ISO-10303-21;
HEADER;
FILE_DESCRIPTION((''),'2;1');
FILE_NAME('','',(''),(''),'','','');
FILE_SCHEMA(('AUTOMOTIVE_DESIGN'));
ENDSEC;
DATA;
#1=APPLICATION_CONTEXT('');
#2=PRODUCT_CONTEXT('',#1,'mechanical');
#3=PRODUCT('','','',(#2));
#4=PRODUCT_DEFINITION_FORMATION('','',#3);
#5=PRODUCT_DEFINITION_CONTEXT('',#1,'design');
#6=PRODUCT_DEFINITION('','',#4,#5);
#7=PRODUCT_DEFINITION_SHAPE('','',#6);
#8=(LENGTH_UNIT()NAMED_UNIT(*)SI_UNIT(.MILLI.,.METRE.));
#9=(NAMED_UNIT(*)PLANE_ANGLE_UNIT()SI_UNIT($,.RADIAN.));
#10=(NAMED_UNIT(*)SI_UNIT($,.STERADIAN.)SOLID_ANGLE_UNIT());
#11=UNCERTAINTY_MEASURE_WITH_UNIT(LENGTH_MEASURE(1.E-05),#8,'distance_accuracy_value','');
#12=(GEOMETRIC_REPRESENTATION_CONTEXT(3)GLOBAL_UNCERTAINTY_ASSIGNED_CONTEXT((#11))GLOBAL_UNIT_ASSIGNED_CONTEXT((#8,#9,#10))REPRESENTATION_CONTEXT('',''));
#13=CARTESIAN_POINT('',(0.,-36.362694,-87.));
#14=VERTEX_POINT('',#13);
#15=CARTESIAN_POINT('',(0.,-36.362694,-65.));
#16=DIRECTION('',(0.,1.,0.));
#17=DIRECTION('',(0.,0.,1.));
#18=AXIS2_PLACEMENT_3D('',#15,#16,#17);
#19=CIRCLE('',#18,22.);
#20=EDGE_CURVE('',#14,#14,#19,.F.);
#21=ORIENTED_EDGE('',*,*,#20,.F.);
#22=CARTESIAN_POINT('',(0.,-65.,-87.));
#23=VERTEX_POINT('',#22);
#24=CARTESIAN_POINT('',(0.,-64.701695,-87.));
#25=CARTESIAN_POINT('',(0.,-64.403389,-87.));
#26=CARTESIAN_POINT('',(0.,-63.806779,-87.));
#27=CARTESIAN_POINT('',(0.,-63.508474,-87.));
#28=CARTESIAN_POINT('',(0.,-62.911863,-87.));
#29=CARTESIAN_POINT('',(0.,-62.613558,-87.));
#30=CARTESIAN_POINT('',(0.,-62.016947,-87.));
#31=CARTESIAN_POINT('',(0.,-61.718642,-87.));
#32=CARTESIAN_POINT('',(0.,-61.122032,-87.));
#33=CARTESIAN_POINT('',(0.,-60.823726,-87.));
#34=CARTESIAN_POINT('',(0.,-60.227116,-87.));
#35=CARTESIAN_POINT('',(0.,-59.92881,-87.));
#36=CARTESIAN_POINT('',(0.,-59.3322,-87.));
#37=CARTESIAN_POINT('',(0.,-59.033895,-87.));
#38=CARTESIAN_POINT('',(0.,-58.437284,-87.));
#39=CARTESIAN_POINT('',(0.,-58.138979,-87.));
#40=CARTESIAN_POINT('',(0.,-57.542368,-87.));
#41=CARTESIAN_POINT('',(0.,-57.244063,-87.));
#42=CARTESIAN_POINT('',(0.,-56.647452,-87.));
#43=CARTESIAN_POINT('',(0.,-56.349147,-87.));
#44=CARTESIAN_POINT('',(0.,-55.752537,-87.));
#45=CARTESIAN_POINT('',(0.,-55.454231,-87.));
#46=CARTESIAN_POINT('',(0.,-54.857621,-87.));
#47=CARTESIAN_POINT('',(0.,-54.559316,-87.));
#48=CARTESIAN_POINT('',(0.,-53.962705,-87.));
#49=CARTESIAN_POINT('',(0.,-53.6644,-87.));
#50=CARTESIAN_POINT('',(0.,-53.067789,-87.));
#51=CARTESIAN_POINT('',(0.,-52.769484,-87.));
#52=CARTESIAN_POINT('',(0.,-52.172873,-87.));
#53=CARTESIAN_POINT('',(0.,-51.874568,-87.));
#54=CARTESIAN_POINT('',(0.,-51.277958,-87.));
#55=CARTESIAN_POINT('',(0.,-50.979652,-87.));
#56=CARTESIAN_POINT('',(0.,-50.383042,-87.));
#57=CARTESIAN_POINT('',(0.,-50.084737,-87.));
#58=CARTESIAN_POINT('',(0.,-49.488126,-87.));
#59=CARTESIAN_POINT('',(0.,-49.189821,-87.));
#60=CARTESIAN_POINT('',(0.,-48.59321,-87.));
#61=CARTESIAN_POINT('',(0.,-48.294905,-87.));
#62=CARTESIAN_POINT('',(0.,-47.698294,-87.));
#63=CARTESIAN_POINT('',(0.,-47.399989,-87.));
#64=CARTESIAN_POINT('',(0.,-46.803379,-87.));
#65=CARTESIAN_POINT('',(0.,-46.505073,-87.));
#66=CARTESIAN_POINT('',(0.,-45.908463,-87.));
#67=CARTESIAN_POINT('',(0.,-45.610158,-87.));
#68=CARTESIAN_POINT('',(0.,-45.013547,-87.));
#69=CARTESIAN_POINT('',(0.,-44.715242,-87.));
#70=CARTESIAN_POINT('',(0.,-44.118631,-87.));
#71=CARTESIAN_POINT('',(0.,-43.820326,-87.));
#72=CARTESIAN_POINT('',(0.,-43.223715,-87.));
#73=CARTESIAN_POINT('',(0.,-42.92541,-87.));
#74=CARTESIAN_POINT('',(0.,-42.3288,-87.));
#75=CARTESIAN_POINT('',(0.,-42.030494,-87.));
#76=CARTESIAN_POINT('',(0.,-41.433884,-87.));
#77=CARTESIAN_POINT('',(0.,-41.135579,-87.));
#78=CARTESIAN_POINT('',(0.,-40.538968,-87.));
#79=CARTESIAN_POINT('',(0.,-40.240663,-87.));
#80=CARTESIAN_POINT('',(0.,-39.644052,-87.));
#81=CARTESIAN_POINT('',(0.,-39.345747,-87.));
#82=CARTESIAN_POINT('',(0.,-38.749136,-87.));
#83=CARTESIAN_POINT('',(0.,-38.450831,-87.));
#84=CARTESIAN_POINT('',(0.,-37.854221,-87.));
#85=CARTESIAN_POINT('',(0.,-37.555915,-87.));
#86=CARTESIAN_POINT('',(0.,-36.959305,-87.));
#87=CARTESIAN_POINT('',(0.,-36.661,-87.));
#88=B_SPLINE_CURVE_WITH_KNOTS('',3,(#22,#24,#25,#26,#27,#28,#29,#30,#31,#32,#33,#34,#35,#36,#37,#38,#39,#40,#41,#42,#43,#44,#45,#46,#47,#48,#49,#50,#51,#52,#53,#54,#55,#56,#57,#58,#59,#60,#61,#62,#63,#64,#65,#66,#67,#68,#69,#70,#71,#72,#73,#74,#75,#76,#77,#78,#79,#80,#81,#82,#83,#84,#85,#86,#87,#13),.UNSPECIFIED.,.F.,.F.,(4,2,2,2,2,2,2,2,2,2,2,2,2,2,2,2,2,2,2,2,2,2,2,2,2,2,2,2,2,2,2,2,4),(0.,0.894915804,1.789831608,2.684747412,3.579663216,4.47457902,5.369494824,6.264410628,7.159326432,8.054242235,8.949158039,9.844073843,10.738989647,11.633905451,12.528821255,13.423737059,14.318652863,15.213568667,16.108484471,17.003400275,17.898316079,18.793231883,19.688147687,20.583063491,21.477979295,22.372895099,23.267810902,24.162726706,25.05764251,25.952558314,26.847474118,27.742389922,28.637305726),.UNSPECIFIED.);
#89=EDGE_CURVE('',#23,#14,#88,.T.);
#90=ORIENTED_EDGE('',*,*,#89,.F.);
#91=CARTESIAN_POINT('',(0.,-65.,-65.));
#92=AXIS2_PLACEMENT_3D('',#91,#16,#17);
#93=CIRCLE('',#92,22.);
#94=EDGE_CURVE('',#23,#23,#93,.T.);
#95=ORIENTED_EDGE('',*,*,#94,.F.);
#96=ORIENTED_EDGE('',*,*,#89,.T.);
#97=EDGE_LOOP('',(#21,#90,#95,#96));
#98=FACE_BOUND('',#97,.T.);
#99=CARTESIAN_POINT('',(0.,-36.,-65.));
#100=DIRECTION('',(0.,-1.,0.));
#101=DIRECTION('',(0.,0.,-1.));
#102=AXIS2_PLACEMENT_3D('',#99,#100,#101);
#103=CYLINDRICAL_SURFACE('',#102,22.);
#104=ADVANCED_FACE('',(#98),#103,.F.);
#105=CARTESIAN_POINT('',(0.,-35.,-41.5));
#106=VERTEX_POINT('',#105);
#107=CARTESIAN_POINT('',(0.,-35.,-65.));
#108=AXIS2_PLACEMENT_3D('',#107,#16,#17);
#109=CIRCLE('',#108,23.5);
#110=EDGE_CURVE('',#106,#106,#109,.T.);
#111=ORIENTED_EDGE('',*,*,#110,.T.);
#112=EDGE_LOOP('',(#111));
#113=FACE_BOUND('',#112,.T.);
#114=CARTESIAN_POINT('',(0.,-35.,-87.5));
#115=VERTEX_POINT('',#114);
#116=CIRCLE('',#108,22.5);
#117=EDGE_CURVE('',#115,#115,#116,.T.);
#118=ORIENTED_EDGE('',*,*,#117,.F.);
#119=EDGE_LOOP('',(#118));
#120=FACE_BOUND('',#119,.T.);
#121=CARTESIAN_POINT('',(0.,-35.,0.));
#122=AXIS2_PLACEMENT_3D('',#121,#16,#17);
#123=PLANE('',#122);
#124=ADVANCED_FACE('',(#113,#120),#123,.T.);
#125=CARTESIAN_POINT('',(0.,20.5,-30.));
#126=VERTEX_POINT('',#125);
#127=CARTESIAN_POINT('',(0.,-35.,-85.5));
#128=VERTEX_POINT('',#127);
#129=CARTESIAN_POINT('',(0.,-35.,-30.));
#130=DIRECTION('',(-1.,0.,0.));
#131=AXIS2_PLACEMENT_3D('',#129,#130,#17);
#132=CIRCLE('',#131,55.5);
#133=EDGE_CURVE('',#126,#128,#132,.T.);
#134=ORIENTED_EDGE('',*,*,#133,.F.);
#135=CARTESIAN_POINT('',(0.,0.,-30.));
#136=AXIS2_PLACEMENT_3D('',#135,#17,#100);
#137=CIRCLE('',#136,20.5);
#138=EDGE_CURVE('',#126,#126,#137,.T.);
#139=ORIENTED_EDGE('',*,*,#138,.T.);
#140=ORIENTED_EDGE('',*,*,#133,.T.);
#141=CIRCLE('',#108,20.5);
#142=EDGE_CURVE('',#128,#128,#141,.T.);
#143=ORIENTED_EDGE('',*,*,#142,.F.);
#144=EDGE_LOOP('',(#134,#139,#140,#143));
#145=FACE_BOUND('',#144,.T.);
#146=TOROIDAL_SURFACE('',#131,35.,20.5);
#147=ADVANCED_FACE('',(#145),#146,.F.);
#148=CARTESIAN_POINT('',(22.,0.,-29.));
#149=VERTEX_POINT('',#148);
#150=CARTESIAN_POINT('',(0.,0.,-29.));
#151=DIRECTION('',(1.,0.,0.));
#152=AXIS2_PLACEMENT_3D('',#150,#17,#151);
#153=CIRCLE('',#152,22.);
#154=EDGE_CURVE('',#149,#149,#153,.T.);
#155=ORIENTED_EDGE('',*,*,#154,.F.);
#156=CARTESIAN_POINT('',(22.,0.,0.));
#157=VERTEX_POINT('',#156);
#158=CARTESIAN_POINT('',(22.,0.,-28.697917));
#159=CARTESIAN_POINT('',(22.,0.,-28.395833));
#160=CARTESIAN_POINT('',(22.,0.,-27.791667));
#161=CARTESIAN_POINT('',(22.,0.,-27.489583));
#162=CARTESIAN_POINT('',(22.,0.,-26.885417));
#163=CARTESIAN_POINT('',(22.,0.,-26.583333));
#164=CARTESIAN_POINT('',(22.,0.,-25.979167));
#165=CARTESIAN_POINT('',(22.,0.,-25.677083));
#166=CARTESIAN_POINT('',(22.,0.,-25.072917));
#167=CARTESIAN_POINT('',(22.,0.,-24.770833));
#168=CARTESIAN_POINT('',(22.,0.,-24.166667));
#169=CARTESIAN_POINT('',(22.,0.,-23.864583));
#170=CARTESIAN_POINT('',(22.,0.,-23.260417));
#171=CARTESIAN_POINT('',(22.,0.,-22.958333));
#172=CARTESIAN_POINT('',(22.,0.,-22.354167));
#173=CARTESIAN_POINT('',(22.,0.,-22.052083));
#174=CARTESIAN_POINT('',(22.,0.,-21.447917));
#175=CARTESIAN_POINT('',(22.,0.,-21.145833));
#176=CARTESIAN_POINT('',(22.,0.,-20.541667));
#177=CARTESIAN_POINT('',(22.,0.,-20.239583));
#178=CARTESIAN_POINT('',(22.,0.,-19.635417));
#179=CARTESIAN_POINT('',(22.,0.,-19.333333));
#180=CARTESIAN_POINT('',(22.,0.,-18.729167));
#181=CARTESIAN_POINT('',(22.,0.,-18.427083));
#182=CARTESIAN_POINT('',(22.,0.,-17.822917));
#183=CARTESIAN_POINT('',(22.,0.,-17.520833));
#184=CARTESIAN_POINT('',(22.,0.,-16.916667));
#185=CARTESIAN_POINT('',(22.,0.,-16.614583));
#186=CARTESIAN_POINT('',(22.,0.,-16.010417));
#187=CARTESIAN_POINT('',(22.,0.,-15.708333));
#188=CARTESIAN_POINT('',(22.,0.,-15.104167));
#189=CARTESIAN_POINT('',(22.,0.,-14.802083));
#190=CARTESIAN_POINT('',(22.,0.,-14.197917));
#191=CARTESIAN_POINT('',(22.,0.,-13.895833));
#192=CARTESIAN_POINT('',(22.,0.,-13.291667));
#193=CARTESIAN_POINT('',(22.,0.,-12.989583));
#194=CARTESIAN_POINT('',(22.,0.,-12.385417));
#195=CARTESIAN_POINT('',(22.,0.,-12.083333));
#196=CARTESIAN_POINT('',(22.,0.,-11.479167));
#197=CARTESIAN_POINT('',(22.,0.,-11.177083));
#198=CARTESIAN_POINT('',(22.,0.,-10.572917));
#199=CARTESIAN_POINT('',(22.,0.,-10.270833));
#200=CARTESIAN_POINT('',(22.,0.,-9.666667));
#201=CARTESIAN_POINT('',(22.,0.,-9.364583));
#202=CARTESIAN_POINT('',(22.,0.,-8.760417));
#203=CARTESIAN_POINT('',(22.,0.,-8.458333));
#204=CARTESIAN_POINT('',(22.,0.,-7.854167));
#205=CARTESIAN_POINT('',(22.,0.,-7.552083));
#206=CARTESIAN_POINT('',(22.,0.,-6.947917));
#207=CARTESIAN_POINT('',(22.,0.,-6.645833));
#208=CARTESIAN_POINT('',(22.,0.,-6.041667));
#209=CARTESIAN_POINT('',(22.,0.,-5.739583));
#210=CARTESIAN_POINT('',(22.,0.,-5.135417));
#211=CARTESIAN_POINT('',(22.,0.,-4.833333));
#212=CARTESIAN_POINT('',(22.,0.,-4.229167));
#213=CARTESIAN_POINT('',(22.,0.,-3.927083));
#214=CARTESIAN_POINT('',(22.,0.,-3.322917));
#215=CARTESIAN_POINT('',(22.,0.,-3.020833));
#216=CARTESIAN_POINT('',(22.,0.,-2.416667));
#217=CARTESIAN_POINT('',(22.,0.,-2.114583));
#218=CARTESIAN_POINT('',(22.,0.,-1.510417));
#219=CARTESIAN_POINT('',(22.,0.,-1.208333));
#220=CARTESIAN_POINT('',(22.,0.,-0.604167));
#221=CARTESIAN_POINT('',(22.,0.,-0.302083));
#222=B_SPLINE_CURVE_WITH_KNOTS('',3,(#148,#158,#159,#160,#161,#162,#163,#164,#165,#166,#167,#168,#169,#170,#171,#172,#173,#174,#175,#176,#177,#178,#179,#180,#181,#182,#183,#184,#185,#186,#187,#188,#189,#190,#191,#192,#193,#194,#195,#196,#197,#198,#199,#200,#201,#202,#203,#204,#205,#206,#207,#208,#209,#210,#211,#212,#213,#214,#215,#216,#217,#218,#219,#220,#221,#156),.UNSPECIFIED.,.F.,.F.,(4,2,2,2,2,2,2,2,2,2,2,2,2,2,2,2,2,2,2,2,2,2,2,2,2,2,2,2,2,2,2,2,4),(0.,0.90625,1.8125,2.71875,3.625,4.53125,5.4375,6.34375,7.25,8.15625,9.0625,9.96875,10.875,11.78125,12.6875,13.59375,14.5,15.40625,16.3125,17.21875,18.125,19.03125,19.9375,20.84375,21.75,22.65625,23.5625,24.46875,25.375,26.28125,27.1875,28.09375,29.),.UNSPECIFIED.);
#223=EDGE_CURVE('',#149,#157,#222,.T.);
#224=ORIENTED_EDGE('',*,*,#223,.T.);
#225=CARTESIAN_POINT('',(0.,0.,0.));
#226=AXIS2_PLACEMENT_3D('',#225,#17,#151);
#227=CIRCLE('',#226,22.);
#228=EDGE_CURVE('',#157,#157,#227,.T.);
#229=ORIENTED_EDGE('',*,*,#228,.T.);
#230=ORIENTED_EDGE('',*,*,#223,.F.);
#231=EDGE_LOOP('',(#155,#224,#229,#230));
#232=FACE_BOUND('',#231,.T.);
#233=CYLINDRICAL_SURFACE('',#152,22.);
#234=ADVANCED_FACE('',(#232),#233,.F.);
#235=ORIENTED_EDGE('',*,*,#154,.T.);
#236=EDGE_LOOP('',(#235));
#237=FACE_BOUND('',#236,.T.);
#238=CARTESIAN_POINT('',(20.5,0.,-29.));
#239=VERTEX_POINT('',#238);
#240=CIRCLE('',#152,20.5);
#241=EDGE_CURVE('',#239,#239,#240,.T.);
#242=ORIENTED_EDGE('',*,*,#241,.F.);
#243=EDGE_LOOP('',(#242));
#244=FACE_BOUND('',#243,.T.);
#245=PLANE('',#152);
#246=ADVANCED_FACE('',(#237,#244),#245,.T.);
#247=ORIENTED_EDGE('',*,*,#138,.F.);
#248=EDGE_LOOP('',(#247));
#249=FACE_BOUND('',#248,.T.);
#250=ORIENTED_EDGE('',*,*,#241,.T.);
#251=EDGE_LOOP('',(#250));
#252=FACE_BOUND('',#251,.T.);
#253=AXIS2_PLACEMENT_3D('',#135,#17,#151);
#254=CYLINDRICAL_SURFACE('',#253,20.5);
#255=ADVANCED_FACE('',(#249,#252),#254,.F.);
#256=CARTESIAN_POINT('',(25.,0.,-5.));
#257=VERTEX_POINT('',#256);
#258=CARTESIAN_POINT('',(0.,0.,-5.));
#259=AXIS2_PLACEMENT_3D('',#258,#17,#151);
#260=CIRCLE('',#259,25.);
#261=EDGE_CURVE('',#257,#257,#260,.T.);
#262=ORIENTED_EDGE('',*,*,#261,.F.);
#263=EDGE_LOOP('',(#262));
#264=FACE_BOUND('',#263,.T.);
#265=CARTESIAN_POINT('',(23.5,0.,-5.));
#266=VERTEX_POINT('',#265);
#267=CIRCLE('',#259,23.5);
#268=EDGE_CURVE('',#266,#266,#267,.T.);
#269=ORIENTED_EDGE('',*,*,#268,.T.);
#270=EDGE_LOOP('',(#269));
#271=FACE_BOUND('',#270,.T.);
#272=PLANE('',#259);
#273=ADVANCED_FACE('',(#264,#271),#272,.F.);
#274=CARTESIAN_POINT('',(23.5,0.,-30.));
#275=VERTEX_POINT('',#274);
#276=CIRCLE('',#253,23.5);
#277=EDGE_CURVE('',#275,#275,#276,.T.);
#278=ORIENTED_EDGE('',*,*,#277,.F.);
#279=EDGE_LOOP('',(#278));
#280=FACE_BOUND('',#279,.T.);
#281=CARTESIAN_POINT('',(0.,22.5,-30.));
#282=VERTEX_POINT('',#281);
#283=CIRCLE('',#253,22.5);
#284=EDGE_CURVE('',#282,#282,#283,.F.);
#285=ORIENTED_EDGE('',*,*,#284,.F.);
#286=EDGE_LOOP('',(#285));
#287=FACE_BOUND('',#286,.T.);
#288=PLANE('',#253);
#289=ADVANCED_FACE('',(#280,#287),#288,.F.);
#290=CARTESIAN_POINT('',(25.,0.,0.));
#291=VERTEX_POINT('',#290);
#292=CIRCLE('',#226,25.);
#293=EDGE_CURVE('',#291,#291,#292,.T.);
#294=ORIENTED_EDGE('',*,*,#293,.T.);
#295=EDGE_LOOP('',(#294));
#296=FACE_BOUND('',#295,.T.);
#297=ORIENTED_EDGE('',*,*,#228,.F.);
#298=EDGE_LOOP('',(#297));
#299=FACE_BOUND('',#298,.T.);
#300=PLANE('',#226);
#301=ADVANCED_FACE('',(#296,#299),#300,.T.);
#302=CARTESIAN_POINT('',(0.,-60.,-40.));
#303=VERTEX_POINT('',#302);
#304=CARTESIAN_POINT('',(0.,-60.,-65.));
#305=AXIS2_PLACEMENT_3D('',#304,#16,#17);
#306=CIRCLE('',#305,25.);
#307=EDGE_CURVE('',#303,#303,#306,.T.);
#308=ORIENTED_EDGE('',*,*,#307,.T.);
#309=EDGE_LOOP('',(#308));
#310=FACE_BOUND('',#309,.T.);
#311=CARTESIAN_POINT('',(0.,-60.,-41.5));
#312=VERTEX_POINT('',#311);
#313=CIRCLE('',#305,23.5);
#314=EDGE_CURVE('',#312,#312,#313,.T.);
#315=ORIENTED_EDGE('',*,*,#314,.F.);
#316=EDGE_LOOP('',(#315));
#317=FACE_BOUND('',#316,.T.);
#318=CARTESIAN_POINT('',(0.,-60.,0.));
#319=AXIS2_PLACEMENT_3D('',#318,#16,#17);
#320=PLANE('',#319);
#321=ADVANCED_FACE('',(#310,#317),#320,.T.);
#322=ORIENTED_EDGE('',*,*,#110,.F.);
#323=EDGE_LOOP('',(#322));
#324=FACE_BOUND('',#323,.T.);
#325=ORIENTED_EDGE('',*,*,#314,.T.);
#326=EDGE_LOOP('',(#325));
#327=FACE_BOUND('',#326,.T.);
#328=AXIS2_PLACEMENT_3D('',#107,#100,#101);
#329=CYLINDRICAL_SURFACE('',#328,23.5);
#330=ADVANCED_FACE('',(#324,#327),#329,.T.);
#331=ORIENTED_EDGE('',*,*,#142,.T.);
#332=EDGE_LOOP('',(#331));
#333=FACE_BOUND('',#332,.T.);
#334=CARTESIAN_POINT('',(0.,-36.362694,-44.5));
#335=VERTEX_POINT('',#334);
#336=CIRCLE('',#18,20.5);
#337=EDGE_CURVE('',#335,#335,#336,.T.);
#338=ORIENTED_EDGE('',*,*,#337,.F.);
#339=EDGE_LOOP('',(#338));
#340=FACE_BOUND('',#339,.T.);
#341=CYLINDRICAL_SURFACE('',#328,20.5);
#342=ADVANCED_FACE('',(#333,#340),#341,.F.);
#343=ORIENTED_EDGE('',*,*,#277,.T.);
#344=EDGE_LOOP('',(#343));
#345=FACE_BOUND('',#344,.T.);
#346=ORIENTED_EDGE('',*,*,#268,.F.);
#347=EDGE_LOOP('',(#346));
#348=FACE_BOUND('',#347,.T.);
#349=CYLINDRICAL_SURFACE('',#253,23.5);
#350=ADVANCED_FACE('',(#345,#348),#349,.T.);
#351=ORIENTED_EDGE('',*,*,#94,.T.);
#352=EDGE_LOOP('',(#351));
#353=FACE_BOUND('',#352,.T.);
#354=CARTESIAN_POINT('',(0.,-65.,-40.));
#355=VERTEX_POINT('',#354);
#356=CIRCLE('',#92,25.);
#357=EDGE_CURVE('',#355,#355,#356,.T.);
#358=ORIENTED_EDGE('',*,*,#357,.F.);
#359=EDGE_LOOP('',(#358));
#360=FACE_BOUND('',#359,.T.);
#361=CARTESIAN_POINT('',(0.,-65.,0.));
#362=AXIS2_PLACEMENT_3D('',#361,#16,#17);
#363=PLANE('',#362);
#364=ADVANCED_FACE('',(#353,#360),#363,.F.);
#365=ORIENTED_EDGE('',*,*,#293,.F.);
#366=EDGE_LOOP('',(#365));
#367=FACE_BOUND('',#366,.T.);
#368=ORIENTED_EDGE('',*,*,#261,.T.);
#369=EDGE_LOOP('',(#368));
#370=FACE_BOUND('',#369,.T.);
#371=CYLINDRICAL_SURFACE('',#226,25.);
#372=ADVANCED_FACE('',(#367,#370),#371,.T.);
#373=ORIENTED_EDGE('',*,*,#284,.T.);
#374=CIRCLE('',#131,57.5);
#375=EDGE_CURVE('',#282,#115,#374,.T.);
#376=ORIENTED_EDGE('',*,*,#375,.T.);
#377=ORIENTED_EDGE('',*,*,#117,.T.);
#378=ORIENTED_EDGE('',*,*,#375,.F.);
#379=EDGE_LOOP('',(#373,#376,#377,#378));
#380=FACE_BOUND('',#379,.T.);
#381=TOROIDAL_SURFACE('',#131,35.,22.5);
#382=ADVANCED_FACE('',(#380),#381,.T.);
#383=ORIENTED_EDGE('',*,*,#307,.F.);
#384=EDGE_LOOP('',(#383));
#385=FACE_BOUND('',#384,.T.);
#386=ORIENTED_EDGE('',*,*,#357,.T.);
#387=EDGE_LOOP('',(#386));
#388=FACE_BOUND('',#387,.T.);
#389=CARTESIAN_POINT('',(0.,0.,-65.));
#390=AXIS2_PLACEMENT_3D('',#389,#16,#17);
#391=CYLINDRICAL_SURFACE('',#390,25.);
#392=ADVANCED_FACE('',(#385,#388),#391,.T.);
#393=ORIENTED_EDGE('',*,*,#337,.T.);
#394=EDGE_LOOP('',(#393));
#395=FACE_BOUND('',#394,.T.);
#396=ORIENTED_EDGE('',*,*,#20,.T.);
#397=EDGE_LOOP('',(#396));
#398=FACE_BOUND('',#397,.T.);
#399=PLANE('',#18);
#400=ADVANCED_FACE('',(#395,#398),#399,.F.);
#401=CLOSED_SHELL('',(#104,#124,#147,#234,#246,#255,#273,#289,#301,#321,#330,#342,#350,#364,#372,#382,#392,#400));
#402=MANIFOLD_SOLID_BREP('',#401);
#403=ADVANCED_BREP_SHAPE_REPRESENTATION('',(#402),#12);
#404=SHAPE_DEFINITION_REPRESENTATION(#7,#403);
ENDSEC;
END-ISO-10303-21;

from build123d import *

# Parameters (mm, degrees)
SKELETON_R           = 23.5
SKELETON_R_2         = 22
SKELETON_R_3         = 20.5
BOSS_EXTRUDE1_DEPTH  = 30
SKELETON_3_R         = 22
SKELETON_3_R_2       = 20.5
CUT_EXTRUDE1_DEPTH   = 29
BOSS_EXTRUDE3_START  = -65
SKETCH6_R            = 23.5
SKETCH6_R_2          = 20.5
BOSS_EXTRUDE3_DEPTH  = 30
CUT_EXTRUDE2_START   = -65
SKETCH6_5_R          = 22
CUT_EXTRUDE2_DEPTH   = 29
SWEEP1_PROFILE_R     = 22.5
CUT_SWEEP1_PROFILE_R = 20.5
SKETCH36_W           = 5
SKETCH36_H           = 1.5
SKETCH36_3_W         = 1.5
SKETCH36_3_H         = 5


with BuildPart() as part:
    # Skeleton → Boss-Extrude1 (new body)
    # profile 1 of 2: a face of its own
    with BuildSketch(Plane.XY):
        Circle(SKELETON_R)
        Circle(SKELETON_R_2, mode=Mode.SUBTRACT)
    # profile 2 of 2: a face of its own
    with BuildSketch(Plane.XY):
        Circle(SKELETON_R_2)
        Circle(SKELETON_R_3, mode=Mode.SUBTRACT)
    extrude(amount=-BOSS_EXTRUDE1_DEPTH)

    # Skeleton<3> → Cut-Extrude1 (cut)
    with BuildSketch(Plane.XY):
        Circle(SKELETON_3_R)
        Circle(SKELETON_3_R_2, mode=Mode.SUBTRACT)
    extrude(amount=-CUT_EXTRUDE1_DEPTH, mode=Mode.SUBTRACT)



with BuildPart() as body_2:
    # Sketch6 → Boss-Extrude3 (new body)
    with BuildSketch(Plane(origin=(0, 0, 0), x_dir=(1, 0, 0), z_dir=(0, 1, 0)).offset(BOSS_EXTRUDE3_START)):
        with Locations(Location((0, 65, 0), (0, 0, 270))):
            Circle(SKETCH6_R)
        with Locations(Location((0, 65, 0), (0, 0, 270))):
            Circle(SKETCH6_R_2, mode=Mode.SUBTRACT)
    extrude(amount=BOSS_EXTRUDE3_DEPTH)

    # Sketch6<5> → Cut-Extrude2 (cut)
    with BuildSketch(Plane(origin=(0, 0, 0), x_dir=(1, 0, 0), z_dir=(0, 1, 0)).offset(CUT_EXTRUDE2_START)):
        with Locations(Location((0, 65, 0), (0, 0, 90))):
            Circle(SKETCH6_5_R)
    extrude(amount=CUT_EXTRUDE2_DEPTH, mode=Mode.SUBTRACT)


with BuildPart() as part_1:
    add(part.part)

    add(body_2.part)  # Sweep1 merges body 2
    # Sweep1: sweep along a path in Sketch4
    with BuildLine(Plane(origin=(0, 0, 0), x_dir=(0, 0, -1), z_dir=(1, 0, 0))) as sweep1_path:
        Line((29.074908745, 0), (30, 0))
        ThreePointArc((30, 0), (54.748737342, -10.251262658), (65, -35))
        Line((65, -35), (65, -36.362694274))
    # Sweep1 profile (on start of the path) → Sweep1 (sweep)
    with BuildSketch(Plane(origin=(0, 0, -29.074908745), x_dir=(-1, 0, 0), z_dir=(0, 0, -1))):
        Circle(SWEEP1_PROFILE_R)
    sweep(path=sweep1_path.line)

    # Cut-Sweep1: sweep along a path in Sketch4<2>
    with BuildLine(Plane(origin=(0, 0, 0), x_dir=(0, 0, -1), z_dir=(1, 0, 0))) as cut_sweep1_path:
        Line((29.074908745, 0), (30, 0))
        ThreePointArc((30, 0), (54.748737342, -10.251262658), (65, -35))
        Line((65, -35), (65, -36.362694274))
    # Cut-Sweep1 profile (on start of the path) → Cut-Sweep1 (sweep, cut)
    with BuildSketch(Plane(origin=(0, 0, -29.074908745), x_dir=(-1, 0, 0), z_dir=(0, 0, -1))):
        Circle(CUT_SWEEP1_PROFILE_R)
    sweep(path=cut_sweep1_path.line, mode=Mode.SUBTRACT)

    # Sketch36 → Revolve1 (revolve)
    with BuildSketch(Plane(origin=(0, 0, 0), x_dir=(0, 0, -1), z_dir=(1, 0, 0)), mode=Mode.PRIVATE) as revolve1_sk:
        with Locations((2.5, 24.25)):
            Rectangle(SKETCH36_W, SKETCH36_H)
    revolve(revolve1_sk.sketch.rotate(Axis((0, 0, 0), (0, 0, -1)), 90), axis=Axis((0, 0, 0), (0, 0, -1)))

    # Sketch36<3> → Revolve2 (revolve)
    with BuildSketch(Plane(origin=(0, 0, 0), x_dir=(0, 0, -1), z_dir=(1, 0, 0)), mode=Mode.PRIVATE) as revolve2_sk:
        with Locations((89.25, -62.5)):
            Rectangle(SKETCH36_3_W, SKETCH36_3_H)
    revolve(revolve2_sk.sketch.rotate(Axis((0, 0, -65), (0, -1, 0)), 180), axis=Axis((0, 0, -65), (0, -1, 0)))


solid = part_1.part
